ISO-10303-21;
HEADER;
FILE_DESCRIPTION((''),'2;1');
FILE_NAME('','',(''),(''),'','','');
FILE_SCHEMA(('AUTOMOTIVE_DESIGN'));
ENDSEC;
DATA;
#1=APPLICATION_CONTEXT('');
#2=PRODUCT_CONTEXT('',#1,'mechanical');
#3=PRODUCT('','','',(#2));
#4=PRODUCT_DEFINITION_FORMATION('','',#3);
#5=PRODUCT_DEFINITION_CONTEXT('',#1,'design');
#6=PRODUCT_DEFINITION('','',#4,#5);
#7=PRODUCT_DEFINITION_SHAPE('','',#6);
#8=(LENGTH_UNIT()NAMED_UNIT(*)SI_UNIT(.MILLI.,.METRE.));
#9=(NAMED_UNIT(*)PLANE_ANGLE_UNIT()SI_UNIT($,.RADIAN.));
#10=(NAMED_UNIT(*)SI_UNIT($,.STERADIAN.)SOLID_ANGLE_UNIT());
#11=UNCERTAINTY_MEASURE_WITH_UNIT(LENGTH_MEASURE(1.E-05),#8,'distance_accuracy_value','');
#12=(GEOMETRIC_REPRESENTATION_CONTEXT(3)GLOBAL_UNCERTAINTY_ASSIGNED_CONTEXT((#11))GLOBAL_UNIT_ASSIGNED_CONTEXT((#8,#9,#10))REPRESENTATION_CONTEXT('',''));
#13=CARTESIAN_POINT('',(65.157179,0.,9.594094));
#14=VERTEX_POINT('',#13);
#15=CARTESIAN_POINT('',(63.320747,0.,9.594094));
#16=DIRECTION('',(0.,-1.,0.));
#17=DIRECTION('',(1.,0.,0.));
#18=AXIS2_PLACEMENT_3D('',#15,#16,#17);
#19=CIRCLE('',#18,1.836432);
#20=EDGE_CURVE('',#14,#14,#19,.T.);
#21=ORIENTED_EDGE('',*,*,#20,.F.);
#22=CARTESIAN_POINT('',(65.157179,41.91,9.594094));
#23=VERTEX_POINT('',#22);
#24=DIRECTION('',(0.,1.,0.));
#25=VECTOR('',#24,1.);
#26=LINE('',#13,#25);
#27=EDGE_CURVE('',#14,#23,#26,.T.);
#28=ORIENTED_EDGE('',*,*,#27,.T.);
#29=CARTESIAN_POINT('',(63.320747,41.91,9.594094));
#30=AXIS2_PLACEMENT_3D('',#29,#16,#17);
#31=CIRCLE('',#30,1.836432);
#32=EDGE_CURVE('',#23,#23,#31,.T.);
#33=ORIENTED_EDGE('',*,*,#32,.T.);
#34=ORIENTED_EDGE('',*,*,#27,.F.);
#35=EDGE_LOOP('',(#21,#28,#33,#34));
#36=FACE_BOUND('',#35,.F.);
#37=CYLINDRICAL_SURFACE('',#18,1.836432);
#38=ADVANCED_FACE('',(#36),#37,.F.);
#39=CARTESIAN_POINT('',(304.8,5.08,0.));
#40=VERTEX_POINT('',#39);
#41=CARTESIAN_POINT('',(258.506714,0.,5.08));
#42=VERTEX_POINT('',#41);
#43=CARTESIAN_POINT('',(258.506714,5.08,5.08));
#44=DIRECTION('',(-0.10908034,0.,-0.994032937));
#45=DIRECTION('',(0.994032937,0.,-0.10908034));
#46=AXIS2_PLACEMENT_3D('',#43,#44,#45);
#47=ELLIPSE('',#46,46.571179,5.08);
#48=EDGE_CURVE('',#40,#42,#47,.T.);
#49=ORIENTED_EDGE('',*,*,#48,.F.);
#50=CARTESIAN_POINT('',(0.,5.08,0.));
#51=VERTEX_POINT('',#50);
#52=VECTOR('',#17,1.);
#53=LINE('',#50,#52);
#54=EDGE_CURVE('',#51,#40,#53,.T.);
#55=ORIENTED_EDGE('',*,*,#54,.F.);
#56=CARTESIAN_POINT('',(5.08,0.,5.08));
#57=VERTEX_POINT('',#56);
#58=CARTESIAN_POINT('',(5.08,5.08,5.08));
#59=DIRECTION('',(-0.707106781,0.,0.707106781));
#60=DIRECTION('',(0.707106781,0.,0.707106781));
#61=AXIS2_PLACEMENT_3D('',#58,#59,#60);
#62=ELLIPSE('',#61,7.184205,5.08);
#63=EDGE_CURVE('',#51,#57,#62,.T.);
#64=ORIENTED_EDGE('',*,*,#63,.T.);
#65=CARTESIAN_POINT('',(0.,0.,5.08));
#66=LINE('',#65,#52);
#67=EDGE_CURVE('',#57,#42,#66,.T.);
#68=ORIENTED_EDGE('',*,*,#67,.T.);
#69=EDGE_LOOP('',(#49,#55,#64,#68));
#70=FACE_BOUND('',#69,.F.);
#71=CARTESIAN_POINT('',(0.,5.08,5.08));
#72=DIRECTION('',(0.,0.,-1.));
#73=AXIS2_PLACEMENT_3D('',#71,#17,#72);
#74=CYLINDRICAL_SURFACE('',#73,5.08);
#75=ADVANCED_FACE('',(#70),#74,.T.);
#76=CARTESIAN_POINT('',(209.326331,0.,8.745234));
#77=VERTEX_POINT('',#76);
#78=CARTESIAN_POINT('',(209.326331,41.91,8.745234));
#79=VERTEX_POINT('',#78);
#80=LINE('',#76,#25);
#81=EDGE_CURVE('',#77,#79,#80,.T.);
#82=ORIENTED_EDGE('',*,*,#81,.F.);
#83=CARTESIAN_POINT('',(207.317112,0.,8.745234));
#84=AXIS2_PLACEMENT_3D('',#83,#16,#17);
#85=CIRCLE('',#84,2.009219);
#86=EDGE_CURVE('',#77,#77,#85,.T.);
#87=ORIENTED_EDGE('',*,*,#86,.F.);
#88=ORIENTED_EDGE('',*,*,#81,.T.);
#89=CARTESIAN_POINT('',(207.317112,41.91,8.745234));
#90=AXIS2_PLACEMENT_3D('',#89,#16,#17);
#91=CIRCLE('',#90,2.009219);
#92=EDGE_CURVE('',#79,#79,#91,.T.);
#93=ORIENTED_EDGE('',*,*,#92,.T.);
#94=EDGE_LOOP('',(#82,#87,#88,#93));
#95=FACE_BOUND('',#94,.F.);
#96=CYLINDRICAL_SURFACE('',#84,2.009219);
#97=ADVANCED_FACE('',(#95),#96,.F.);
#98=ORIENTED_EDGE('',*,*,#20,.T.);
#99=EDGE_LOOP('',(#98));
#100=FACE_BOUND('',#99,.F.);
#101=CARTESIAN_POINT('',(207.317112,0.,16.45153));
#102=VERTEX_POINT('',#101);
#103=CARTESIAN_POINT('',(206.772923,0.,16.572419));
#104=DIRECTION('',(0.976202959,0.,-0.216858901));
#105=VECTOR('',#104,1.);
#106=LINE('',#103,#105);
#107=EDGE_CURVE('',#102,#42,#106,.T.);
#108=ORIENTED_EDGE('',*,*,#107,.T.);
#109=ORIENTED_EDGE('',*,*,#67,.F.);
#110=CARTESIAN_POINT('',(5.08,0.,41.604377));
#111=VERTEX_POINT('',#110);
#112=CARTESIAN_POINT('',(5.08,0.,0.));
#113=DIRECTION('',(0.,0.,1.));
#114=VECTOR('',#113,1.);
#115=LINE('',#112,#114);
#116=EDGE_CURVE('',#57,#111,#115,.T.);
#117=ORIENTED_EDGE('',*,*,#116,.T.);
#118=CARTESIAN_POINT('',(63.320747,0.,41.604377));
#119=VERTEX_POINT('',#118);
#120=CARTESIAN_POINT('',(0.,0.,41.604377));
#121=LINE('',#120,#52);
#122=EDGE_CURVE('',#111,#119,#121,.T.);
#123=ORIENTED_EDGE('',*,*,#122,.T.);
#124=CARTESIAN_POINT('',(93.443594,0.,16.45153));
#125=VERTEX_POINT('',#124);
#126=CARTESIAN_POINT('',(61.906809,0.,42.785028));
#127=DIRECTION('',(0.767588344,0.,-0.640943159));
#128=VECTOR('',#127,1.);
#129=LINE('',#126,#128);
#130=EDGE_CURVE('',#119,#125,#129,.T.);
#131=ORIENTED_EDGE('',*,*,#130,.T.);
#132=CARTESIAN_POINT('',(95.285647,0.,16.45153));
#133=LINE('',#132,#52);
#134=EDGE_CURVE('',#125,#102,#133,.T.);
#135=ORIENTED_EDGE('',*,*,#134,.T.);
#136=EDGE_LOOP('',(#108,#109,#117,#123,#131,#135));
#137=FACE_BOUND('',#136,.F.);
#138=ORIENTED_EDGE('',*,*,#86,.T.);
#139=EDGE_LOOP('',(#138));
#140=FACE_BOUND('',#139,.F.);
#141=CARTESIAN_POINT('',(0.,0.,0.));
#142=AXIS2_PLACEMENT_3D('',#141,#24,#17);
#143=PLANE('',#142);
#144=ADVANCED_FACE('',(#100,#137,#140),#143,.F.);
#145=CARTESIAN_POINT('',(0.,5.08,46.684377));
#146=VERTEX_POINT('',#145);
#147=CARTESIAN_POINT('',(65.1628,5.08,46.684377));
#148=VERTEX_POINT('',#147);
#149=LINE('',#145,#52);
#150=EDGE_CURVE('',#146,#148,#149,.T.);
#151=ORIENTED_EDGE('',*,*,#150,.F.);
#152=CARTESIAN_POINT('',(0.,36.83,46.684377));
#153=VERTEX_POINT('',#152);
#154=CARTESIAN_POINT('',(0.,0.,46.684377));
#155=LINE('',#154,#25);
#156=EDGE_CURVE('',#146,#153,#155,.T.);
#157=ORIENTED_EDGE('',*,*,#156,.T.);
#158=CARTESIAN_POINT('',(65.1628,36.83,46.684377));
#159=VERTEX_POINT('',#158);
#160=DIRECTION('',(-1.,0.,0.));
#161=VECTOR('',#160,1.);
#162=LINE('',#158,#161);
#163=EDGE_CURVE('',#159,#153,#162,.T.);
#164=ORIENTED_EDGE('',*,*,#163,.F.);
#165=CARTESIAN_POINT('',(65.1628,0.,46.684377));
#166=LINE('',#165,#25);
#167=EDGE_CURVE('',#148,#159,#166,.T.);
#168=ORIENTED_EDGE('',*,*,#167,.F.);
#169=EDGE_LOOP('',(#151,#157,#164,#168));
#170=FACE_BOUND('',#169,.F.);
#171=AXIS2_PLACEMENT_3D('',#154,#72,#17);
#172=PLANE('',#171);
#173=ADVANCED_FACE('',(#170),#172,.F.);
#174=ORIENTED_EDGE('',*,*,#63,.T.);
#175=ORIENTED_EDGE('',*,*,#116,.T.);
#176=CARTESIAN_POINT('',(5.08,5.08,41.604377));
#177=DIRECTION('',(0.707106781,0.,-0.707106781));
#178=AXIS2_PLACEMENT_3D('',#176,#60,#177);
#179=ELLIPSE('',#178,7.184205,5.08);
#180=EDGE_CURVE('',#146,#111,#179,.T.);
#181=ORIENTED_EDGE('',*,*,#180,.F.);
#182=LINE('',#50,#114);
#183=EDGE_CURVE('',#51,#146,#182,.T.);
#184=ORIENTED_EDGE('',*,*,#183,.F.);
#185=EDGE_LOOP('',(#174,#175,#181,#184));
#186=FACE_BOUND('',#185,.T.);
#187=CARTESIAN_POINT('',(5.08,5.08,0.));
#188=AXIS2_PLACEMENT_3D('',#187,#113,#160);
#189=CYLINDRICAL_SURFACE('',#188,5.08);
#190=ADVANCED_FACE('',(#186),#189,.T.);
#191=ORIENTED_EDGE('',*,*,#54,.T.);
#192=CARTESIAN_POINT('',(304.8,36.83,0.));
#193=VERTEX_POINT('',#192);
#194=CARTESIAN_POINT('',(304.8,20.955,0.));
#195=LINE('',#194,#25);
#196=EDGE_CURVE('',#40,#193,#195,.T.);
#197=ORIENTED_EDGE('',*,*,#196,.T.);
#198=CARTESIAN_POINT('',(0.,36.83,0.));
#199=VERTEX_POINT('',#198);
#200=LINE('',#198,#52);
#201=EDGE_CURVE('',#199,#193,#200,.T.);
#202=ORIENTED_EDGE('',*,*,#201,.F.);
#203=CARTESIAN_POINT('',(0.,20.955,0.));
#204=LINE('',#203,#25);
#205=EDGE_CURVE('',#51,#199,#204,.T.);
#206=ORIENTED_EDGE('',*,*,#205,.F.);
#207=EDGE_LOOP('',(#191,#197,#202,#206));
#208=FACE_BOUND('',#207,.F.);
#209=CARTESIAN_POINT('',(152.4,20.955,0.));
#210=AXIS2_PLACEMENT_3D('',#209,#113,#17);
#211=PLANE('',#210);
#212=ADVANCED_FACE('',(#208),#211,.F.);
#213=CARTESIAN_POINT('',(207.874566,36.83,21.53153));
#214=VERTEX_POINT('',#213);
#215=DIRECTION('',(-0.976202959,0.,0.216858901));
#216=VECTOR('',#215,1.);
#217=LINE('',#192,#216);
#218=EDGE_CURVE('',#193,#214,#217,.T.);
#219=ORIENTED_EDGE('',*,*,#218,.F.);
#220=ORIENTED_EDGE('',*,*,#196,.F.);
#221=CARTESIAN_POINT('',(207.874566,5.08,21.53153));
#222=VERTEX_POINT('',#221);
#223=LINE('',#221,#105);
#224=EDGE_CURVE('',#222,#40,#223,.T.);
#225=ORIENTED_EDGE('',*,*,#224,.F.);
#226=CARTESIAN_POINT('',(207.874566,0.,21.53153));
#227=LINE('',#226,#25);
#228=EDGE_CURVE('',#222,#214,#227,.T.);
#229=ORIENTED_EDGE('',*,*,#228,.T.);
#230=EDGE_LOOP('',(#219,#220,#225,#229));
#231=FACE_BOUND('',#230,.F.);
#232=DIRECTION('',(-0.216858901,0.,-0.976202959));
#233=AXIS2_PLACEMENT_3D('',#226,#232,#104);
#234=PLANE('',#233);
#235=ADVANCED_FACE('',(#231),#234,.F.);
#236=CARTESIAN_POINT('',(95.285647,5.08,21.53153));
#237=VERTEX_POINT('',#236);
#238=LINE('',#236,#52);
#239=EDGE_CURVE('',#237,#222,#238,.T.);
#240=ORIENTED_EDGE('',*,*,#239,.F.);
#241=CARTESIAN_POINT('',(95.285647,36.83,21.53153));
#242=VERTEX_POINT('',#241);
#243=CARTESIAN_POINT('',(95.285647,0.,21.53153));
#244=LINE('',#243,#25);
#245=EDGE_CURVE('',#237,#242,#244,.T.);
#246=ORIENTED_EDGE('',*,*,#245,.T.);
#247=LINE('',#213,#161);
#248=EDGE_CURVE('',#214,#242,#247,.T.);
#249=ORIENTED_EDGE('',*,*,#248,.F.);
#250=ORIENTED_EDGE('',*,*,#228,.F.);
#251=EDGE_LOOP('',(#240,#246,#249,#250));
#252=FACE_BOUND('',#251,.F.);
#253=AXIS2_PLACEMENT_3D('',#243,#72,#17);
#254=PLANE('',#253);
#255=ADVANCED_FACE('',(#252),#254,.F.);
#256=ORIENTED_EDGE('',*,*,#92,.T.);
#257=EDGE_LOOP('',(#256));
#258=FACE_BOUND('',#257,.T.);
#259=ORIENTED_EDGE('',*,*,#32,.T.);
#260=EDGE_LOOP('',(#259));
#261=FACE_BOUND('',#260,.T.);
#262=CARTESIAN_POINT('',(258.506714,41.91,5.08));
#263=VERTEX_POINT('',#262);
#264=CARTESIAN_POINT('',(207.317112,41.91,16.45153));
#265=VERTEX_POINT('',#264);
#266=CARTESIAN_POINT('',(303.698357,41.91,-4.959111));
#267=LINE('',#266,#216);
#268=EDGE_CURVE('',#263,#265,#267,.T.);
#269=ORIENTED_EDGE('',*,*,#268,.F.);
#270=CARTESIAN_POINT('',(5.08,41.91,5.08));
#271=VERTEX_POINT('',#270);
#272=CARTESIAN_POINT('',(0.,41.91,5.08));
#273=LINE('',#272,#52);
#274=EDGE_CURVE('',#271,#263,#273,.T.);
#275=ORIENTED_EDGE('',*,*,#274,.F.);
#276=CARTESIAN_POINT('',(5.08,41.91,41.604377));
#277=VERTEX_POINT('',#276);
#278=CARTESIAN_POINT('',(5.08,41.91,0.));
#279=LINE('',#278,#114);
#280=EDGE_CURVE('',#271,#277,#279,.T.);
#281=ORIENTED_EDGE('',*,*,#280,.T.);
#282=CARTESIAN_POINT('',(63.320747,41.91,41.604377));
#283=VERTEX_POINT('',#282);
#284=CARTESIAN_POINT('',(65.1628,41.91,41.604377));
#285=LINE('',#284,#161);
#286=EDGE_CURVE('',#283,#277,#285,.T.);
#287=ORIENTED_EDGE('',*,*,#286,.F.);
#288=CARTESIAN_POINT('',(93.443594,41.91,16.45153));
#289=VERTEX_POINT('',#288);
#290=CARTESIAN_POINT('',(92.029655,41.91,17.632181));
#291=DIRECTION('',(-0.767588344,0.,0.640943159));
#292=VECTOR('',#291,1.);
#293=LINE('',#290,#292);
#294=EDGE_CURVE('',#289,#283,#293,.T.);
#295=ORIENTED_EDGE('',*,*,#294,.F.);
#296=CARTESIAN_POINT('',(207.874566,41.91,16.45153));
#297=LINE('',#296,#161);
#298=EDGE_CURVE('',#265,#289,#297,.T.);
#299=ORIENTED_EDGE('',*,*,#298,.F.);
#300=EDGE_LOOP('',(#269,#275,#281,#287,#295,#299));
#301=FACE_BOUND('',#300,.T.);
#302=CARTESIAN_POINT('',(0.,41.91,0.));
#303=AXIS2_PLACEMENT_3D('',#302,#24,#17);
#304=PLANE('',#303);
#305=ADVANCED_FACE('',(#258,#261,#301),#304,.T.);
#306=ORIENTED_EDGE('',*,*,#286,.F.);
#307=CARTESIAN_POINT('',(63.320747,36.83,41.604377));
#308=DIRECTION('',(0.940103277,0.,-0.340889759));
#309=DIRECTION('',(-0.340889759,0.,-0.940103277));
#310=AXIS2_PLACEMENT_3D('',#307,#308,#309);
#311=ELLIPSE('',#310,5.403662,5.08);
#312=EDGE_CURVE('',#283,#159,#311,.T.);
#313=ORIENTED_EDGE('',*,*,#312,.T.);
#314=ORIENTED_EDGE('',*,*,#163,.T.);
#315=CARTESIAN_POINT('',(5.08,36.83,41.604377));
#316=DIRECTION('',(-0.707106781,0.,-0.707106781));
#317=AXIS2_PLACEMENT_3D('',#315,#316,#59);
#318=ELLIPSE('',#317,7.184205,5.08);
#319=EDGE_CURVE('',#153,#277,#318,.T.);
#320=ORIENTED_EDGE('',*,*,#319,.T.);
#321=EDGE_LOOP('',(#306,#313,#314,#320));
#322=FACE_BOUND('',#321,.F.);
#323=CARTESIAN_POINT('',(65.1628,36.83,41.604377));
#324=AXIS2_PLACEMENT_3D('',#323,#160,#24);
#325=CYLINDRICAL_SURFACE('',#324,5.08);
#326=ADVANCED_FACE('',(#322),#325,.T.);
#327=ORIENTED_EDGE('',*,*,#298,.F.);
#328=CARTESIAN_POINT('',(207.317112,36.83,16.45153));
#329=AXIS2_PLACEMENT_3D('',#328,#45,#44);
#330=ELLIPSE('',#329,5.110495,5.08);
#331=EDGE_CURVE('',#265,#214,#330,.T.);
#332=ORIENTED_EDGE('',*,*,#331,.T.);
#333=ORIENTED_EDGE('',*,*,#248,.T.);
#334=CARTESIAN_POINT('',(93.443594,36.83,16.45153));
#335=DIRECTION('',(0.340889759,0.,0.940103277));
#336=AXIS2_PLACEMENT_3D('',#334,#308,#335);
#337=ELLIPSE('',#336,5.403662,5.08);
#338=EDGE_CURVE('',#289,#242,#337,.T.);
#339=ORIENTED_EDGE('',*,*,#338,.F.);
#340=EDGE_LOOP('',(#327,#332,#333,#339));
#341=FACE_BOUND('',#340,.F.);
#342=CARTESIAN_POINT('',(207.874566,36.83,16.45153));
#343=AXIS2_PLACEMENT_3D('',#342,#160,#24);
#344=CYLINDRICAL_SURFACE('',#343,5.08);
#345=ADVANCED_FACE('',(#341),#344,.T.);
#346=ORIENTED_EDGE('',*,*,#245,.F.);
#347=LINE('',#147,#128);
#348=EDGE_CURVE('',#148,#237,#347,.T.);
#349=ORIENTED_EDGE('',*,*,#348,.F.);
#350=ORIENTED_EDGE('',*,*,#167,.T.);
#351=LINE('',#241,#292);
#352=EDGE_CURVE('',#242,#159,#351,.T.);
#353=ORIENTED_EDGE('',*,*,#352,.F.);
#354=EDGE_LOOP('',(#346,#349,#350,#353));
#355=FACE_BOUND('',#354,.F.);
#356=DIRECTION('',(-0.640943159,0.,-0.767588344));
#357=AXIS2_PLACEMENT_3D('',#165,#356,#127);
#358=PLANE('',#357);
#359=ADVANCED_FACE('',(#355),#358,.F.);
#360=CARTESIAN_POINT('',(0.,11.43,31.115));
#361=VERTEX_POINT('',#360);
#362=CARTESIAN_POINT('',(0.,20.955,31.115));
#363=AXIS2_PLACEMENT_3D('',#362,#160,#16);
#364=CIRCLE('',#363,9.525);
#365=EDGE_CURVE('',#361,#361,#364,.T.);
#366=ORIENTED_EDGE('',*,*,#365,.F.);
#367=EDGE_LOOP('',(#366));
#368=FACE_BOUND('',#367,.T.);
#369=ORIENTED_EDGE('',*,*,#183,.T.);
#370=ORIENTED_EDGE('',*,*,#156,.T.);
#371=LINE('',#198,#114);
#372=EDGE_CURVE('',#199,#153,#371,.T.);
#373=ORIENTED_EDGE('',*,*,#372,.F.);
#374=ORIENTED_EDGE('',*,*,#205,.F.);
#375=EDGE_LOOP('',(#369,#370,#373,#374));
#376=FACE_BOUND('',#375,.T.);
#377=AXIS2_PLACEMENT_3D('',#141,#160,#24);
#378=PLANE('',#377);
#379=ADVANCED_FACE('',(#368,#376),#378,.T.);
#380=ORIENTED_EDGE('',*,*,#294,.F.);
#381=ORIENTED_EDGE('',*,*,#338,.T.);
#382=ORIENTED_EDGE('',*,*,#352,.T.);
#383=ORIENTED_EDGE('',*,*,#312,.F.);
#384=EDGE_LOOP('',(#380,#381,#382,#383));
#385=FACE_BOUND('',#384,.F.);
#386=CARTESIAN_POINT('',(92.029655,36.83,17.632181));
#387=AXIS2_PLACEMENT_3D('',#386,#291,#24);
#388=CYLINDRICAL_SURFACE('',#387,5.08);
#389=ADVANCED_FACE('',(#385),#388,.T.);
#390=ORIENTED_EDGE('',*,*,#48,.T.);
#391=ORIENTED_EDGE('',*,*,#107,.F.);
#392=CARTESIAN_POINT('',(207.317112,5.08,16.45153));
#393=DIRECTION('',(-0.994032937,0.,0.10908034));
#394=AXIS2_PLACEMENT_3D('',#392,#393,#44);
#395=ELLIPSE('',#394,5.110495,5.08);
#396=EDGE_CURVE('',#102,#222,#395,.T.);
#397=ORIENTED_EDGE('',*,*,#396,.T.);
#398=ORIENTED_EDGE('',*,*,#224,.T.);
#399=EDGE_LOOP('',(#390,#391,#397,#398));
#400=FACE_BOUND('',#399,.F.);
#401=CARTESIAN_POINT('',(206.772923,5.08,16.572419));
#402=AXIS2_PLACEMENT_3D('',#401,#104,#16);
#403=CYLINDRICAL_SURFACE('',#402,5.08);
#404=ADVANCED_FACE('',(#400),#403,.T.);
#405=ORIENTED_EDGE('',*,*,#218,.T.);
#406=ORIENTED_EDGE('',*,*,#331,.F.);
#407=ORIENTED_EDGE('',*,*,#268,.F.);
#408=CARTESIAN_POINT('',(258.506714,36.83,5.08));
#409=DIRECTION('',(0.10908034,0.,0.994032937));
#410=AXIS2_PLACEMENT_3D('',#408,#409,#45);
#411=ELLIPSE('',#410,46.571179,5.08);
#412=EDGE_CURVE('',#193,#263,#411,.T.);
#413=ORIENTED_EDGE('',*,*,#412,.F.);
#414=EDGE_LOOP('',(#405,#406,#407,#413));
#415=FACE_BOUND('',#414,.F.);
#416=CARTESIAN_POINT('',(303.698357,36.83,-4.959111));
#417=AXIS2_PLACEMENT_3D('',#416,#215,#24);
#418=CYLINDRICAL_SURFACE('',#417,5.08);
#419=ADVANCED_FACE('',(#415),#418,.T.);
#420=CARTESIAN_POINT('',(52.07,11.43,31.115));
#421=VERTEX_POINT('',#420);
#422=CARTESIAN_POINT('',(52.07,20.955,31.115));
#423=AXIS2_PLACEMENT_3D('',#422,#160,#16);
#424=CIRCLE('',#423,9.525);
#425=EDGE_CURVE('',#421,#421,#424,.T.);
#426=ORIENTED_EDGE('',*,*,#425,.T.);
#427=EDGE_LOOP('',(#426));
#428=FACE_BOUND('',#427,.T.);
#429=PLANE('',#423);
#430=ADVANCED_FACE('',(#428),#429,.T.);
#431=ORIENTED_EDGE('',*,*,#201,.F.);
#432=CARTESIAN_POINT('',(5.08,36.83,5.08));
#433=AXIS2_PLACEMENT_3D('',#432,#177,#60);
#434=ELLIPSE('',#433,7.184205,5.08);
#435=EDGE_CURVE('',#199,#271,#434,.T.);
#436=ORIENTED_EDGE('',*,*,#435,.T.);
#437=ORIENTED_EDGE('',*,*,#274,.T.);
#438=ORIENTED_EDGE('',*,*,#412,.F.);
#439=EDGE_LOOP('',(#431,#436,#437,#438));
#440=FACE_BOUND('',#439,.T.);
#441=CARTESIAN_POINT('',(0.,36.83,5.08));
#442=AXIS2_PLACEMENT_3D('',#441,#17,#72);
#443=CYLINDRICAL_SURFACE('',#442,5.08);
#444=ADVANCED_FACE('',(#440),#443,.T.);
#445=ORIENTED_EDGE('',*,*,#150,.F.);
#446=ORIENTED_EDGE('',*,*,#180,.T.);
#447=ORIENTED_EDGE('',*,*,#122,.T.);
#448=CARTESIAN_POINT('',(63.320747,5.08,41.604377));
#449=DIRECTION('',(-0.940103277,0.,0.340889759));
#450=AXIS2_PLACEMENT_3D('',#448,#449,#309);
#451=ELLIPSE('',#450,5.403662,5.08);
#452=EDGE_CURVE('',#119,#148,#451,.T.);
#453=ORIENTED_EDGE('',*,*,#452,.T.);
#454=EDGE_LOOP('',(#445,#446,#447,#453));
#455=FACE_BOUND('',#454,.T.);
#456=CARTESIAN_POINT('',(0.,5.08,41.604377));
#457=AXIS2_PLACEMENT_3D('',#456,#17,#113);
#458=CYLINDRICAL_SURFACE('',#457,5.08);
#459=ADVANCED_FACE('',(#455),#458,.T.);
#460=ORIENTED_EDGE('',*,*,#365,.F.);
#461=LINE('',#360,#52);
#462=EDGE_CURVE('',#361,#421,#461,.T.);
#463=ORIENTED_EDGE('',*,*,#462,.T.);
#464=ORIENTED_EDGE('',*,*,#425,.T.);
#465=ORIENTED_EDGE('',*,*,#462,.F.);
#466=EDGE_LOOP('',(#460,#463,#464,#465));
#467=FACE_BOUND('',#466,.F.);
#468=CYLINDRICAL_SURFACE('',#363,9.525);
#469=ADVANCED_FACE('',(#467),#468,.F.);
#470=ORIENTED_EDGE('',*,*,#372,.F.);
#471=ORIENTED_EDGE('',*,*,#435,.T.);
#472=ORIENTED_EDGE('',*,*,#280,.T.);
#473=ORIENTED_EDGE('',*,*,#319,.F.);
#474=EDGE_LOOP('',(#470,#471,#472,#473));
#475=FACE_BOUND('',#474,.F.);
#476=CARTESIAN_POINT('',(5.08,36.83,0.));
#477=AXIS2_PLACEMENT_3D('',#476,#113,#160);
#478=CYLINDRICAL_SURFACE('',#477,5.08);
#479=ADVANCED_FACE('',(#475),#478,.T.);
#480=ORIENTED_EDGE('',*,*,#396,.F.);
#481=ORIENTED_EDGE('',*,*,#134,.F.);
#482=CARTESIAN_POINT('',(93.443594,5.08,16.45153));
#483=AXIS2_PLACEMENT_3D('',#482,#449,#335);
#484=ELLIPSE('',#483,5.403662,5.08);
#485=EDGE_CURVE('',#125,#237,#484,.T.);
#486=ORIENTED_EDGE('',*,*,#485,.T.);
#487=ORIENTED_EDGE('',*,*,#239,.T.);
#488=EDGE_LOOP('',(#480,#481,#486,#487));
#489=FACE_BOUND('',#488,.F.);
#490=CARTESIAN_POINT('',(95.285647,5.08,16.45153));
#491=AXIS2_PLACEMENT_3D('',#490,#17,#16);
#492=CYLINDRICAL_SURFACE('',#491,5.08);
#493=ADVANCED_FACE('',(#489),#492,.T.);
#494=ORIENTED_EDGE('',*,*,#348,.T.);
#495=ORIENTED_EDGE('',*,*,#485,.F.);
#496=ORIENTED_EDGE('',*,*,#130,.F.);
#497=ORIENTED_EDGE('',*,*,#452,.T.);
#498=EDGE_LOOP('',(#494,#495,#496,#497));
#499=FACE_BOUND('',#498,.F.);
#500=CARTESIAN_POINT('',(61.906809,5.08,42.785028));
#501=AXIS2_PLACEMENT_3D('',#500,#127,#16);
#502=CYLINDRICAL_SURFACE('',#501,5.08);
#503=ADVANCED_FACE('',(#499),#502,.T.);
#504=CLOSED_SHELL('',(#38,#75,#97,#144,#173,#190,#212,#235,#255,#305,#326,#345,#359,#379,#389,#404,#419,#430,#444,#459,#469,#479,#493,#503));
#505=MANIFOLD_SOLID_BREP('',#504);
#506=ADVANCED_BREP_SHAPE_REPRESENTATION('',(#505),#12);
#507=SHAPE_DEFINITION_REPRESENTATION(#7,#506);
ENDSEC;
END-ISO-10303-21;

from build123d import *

# Parameters (mm, degrees)
F0_W      = 304.8
F0_H      = 41.91
F1_DEPTH  = 72.39
F3_DEPTH  = 44.45
F4_R      = 9.525
F5_DEPTH  = 52.07
F7_DEPTH  = 42.164
F9_DEPTH  = 43.18
F10_R     = 5.08
F11_R     = 5.08
F12_R     = 1.8364316327
F13_DEPTH = 50.8
F14_R     = 2.0092193571
F15_DEPTH = 50.8


with BuildPart() as f1:
    # F0 (on Top) → F1 (new body)
    with BuildSketch(Plane.XY):
        with Locations((152.4, 20.955)):
            Rectangle(F0_W, F0_H)
    extrude(amount=F1_DEPTH)

    # F2 (on face) → F3 (cut)
    with BuildSketch(Plane.XZ):
        Polygon((304.8, 72.39), (0, 72.39), (304.8, 19.05), align=None)
    extrude(amount=-F3_DEPTH, mode=Mode.SUBTRACT)

    # F4 (on face) → F5 (cut)
    with BuildSketch(Plane(origin=(0, 0, 0), x_dir=(0, -1, 0), z_dir=(-1, 0, 0))):
        with Locations((-20.955, 31.115)):
            Circle(F4_R)
    extrude(amount=-F5_DEPTH, mode=Mode.SUBTRACT)

    # F6 (on face) → F7 (cut)
    with BuildSketch(Plane.XZ):
        Polygon((0, 72.39), (0, 53.7492334843), (68.9350515604, 53.7492334843), (95.2856466174, 29.7941416502), (207.8745663166, 29.7941416502), (304.8, 0), (304.8, 19.05), align=None)
    extrude(amount=-F7_DEPTH, mode=Mode.SUBTRACT)

    # F8 (on face) → F9 (cut)
    with BuildSketch(Plane.XZ):
        Polygon((0, 53.7492334843), (0, 46.6843768954), (65.1628002524, 46.6843768954), (95.2856466174, 21.5315297246), (207.8745663166, 21.5315297246), (304.8, 0), (207.8745663166, 29.7941416502), (95.2856466174, 29.7941416502), (68.9350515604, 53.7492334843), align=None)
    extrude(amount=-F9_DEPTH, mode=Mode.SUBTRACT)

    # F10
    f10_edges = [f1.edges().sort_by_distance(p)[0] for p in [
        (152.4, 0, 0),
        (256.337283, 0, 10.765765),
        (151.580106, 0, 21.53153),
        (80.224223, 0, 34.107953),
        (32.5814, 0, 46.684377),
        (0, 0, 23.342188),
    ]]
    fillet(f10_edges, radius=F10_R)

    # F11
    f11_edges = [f1.edges().sort_by_distance(p)[0] for p in [
        (152.4, 41.91, 0),
        (0, 41.91, 23.342188),
        (32.5814, 41.91, 46.684377),
        (80.224223, 41.91, 34.107953),
        (151.580106, 41.91, 21.53153),
        (256.337283, 41.91, 10.765765),
    ]]
    fillet(f11_edges, radius=F11_R)

    # F12 (on face) → F13 (cut)
    with BuildSketch(Plane.XZ):
        with Locations((63.3207473448, 9.5940940082)):
            Circle(F12_R)
    extrude(amount=-F13_DEPTH, mode=Mode.SUBTRACT)

    # F14 (on face) → F15 (cut)
    with BuildSketch(Plane.XZ):
        with Locations((207.3171118243, 8.7452335283)):
            Circle(F14_R)
    extrude(amount=-F15_DEPTH, mode=Mode.SUBTRACT)


solid = f1.part
